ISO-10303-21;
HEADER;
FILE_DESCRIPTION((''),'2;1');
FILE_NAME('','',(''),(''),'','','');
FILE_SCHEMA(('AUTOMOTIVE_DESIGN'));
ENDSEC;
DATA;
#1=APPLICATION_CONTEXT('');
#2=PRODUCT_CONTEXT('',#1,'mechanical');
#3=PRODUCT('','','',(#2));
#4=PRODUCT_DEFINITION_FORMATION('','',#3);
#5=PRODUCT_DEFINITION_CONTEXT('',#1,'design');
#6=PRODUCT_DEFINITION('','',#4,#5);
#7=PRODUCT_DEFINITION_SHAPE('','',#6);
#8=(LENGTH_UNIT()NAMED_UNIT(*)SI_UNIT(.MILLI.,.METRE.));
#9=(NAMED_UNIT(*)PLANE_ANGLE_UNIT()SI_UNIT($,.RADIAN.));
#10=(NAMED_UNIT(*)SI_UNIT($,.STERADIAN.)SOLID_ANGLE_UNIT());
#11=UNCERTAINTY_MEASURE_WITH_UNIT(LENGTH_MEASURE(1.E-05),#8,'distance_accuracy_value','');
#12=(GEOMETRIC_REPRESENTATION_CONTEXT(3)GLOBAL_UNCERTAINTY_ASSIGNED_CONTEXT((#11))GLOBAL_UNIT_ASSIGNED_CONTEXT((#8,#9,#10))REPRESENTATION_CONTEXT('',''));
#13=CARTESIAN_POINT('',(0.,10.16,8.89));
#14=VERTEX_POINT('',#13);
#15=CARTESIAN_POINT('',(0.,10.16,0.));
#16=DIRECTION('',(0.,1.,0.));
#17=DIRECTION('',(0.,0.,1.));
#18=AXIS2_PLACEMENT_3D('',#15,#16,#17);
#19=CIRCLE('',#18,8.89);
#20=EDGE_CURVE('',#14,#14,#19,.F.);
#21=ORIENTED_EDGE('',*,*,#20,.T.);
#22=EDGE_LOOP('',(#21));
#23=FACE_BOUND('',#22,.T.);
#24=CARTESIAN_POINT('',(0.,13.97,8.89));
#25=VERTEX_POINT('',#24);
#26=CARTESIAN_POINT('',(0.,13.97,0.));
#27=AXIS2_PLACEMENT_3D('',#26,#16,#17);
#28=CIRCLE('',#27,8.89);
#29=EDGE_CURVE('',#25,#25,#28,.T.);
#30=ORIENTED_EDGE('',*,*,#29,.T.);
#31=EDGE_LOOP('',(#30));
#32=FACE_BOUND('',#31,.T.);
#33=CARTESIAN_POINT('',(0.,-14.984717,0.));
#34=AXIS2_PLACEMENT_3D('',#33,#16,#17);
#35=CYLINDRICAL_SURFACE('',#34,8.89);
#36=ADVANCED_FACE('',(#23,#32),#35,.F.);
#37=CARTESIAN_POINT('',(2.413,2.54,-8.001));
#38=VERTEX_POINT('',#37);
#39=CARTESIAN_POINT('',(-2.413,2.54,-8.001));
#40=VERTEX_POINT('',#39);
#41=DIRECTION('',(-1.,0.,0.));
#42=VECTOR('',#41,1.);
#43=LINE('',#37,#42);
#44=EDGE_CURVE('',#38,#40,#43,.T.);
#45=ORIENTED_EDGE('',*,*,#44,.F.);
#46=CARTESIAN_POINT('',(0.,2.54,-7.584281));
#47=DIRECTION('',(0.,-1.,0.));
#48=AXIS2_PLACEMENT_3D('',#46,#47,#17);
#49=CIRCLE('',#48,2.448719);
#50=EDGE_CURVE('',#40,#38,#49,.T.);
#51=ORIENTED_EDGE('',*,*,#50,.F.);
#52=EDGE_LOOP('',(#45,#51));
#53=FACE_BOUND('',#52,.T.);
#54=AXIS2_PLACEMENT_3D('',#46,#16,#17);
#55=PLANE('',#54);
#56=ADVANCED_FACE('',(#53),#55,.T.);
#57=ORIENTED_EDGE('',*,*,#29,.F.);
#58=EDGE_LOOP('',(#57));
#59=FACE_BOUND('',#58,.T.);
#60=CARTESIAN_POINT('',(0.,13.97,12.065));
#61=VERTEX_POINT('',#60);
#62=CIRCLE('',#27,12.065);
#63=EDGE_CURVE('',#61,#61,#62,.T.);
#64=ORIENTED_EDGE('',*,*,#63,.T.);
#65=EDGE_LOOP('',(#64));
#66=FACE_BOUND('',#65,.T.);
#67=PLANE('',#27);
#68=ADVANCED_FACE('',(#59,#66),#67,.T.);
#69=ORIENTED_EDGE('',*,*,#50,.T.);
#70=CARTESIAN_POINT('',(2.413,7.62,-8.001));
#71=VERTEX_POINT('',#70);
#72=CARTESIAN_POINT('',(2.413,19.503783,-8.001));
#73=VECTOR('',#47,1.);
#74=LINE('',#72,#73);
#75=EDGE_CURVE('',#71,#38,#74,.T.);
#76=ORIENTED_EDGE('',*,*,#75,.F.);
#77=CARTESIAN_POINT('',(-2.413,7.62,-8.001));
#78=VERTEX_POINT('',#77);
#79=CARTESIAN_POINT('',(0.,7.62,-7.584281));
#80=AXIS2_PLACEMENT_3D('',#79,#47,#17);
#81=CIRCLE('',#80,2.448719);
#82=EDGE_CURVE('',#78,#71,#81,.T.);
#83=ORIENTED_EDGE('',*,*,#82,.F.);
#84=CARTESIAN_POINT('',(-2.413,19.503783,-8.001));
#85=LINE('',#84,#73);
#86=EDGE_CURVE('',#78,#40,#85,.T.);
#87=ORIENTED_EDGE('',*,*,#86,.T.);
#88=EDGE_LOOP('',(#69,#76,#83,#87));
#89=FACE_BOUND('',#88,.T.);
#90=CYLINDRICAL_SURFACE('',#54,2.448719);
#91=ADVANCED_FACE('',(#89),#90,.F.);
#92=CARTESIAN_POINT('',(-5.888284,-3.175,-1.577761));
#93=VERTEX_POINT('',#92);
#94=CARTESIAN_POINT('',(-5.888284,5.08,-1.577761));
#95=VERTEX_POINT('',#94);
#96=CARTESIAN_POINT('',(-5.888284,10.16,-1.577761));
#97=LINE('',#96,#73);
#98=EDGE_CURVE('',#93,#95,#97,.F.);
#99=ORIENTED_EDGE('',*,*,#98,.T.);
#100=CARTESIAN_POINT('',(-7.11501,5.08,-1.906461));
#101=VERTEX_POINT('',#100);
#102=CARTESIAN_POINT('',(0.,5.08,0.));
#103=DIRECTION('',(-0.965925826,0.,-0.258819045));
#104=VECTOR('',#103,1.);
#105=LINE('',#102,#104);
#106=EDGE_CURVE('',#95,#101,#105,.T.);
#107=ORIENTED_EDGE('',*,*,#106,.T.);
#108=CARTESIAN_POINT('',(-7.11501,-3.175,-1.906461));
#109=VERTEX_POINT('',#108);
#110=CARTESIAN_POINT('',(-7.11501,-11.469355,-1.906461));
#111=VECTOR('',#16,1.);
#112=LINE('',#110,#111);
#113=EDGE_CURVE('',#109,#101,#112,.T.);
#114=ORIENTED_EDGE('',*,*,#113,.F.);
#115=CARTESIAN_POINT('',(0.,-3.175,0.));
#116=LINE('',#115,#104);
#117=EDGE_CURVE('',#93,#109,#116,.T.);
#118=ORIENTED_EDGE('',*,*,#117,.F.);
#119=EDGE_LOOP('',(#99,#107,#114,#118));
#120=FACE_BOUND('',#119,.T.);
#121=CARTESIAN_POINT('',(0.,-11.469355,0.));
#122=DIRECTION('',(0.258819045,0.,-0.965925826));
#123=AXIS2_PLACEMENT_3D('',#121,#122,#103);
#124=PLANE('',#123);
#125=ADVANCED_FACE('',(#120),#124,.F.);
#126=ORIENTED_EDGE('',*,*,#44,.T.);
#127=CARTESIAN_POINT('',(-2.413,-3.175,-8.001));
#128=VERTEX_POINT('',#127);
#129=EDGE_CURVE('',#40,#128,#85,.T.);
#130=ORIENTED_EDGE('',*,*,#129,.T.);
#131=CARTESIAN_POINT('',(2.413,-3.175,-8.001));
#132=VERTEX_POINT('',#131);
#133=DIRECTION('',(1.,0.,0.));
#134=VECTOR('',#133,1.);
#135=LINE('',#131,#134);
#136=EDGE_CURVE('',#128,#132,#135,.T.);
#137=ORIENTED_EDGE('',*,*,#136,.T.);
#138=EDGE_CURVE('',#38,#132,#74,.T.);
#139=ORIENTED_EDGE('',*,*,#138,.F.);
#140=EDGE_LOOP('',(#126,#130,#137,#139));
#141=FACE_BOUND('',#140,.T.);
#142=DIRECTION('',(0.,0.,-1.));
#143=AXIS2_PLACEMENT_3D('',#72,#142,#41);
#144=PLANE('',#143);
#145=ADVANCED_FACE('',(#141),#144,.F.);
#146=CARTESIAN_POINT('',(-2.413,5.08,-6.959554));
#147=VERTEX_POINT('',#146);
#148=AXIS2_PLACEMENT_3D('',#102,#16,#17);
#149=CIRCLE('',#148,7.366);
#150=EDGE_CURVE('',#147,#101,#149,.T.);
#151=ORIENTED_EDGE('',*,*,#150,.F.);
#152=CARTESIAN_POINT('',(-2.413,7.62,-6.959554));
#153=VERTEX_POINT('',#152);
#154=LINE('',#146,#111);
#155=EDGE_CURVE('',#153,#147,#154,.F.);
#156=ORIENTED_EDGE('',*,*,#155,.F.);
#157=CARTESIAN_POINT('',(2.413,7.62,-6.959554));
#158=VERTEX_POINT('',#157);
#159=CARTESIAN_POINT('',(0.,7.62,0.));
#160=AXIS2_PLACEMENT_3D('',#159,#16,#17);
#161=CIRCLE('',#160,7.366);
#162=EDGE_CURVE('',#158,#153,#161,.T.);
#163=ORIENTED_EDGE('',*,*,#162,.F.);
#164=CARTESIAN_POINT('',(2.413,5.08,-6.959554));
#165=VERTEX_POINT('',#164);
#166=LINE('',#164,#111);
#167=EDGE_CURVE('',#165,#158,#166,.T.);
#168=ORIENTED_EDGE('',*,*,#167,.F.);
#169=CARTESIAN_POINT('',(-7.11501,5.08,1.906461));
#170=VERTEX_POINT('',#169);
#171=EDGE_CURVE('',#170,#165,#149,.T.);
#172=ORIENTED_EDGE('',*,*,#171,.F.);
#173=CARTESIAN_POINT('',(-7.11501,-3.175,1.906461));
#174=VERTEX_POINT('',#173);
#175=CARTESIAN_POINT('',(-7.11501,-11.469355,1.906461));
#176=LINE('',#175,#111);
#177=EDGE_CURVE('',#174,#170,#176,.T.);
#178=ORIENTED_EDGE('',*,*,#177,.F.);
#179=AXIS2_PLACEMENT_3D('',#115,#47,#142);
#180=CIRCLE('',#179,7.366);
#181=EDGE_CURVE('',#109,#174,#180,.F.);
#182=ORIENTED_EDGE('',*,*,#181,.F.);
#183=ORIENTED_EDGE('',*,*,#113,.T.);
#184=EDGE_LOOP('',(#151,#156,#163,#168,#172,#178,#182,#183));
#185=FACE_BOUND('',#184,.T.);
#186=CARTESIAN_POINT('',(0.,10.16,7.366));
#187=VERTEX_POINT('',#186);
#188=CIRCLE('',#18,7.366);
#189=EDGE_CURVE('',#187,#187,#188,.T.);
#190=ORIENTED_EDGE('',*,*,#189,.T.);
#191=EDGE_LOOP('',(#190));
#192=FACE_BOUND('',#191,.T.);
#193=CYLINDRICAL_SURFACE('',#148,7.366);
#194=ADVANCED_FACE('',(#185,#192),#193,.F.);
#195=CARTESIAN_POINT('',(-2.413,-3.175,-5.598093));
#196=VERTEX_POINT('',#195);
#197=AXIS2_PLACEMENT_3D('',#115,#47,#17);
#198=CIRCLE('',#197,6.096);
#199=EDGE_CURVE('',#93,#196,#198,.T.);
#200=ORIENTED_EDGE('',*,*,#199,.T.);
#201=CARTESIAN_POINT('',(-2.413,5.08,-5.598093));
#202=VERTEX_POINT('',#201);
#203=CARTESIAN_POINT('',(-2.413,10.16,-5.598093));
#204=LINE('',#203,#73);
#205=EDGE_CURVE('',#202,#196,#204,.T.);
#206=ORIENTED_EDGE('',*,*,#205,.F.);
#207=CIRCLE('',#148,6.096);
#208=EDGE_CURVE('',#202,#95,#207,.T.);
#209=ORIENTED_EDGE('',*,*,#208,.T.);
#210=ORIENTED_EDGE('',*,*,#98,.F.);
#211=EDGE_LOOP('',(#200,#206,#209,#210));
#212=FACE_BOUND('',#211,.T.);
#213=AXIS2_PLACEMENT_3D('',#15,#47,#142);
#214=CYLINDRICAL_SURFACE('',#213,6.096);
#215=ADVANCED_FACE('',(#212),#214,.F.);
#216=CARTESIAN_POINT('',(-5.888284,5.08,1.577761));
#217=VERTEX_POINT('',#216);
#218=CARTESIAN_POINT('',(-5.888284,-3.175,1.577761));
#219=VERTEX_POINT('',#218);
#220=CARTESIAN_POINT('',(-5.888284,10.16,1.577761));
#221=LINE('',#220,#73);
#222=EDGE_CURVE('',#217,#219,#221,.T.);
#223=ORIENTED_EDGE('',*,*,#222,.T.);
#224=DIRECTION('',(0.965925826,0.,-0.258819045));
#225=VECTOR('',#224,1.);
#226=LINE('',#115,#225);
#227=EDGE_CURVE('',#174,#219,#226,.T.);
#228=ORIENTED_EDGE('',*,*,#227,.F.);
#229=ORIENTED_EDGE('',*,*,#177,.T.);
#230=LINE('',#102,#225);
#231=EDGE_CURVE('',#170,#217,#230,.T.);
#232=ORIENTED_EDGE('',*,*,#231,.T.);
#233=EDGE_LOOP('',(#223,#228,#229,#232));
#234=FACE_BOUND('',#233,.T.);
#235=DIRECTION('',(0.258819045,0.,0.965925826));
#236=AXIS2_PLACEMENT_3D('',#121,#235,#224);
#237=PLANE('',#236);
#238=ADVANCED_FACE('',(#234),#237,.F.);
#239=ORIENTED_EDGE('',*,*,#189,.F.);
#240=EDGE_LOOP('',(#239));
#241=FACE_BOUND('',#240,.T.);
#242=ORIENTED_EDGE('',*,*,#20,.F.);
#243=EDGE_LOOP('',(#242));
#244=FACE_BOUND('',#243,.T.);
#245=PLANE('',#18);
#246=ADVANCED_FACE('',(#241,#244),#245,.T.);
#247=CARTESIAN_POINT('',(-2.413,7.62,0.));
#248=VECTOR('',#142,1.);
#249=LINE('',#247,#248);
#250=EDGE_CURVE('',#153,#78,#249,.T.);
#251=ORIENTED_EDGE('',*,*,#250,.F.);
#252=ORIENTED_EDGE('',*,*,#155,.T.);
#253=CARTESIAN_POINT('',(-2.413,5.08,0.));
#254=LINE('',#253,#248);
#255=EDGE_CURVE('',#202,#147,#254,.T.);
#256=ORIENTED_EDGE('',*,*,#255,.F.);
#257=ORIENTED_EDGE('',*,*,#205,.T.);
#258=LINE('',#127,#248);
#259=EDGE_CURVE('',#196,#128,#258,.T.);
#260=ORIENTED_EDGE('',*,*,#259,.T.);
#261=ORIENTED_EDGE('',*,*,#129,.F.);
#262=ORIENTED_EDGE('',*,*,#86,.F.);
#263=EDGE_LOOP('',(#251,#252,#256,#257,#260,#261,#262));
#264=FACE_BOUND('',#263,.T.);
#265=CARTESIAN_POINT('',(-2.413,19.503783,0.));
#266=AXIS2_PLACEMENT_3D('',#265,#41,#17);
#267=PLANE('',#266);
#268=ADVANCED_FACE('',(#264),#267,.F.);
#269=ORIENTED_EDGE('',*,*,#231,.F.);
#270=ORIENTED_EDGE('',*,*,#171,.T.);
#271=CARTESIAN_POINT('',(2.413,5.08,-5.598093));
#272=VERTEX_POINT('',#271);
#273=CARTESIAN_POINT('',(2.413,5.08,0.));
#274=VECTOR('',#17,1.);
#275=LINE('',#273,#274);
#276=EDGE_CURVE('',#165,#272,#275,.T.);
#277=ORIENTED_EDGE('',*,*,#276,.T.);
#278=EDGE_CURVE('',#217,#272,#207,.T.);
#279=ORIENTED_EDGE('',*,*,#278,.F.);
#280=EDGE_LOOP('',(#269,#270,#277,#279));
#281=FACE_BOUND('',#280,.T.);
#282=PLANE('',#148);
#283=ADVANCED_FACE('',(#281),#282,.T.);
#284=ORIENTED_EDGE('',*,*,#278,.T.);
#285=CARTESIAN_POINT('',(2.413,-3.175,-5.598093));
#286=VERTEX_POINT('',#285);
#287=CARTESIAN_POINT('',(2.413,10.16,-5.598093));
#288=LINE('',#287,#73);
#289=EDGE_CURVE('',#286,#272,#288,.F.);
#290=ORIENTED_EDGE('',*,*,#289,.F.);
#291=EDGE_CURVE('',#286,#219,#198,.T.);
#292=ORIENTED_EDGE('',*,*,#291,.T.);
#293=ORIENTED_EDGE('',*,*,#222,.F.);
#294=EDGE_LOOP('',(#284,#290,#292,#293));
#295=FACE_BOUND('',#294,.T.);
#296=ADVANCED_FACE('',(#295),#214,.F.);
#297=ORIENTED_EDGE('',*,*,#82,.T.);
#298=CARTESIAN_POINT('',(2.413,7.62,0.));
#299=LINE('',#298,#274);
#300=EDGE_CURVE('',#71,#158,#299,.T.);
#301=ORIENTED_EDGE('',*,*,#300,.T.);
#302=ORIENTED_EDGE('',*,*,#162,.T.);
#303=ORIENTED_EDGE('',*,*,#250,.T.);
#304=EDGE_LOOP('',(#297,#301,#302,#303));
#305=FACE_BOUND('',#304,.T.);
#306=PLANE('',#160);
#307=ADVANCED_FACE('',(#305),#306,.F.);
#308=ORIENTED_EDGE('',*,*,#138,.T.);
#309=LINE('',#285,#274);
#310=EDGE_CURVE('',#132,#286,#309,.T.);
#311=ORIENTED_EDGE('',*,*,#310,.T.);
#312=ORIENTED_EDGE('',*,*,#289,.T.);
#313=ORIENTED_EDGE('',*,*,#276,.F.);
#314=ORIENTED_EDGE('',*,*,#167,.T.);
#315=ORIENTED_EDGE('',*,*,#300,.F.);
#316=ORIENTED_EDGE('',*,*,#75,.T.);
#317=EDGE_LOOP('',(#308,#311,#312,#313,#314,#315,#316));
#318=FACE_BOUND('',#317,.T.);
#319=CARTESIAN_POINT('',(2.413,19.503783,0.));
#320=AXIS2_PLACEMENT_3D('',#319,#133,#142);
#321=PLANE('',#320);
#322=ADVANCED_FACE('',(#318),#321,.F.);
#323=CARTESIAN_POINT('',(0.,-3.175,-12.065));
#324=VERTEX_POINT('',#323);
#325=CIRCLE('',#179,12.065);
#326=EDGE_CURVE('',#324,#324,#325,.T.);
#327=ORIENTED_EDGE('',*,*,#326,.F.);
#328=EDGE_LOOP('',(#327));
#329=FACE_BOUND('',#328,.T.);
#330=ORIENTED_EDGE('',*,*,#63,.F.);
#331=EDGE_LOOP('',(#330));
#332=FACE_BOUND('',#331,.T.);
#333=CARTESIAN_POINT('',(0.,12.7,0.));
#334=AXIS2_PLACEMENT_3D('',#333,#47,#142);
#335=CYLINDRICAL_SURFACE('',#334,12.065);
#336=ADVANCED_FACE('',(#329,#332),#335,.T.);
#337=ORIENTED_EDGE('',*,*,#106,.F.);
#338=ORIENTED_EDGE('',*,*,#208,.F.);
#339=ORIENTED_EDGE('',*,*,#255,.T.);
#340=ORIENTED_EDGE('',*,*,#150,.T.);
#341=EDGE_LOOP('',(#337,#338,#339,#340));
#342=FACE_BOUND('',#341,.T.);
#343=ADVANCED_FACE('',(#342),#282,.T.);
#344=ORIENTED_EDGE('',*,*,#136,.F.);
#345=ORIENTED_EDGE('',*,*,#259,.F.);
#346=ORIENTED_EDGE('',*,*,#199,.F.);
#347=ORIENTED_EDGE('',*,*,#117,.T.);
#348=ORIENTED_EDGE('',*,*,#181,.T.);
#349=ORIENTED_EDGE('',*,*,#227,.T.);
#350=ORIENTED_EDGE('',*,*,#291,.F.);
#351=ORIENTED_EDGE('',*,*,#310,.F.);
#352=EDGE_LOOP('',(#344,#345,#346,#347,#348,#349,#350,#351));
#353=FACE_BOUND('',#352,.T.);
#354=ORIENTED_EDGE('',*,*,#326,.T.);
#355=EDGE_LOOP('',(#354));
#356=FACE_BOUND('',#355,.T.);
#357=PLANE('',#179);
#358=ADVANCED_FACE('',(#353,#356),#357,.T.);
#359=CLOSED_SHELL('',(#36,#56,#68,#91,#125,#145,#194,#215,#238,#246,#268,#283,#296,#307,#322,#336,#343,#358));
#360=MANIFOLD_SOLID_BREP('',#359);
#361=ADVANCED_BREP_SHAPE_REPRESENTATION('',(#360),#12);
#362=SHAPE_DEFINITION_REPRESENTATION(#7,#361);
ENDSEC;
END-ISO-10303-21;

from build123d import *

# Parameters (mm, degrees)
SKETCH1_R            = 7.62
SKETCH1_R_2          = 6.096
BOSS_EXTRUDE1_DEPTH  = 10.16
SKETCH1_4_R          = 12.065
SKETCH1_4_R_2        = 7.62
BOSS_EXTRUDE2_DEPTH  = 12.7
SKETCH9_R            = 12.065
SKETCH9_R_2          = 7.62
BOSS_EXTRUDE22_DEPTH = 1.27
SKETCH10_R           = 8.89
SKETCH10_R_2         = 7.62
CUT_EXTRUDE5_DEPTH   = 3.81
SKETCH14_W           = 4.826
SKETCH14_H           = 8.001
CUT_EXTRUDE8_DEPTH   = 7.62
CUT_EXTRUDE9_DEPTH   = 5.08
SKETCH16_R           = 12.065
BOSS_EXTRUDE24_DEPTH = 3.175
SKETCH17_R           = 7.366
SKETCH17_R_2         = 6.096
CUT_EXTRUDE10_DEPTH  = 5.08
CUT_EXTRUDE11_DEPTH  = 8.255


with BuildPart() as part:
    # Sketch1 → Boss-Extrude1 (new body)
    with BuildSketch(Plane(origin=(0, 0, 0), x_dir=(1, 0, 0), z_dir=(0, 1, 0))):
        Circle(SKETCH1_R)
        Circle(SKETCH1_R_2, mode=Mode.SUBTRACT)
    extrude(amount=BOSS_EXTRUDE1_DEPTH)

    # Sketch1<4> → Boss-Extrude2 (add)
    with BuildSketch(Plane(origin=(0, 0, 0), x_dir=(1, 0, 0), z_dir=(0, 1, 0))):
        Circle(SKETCH1_4_R)
        Circle(SKETCH1_4_R_2, mode=Mode.SUBTRACT)
    extrude(amount=BOSS_EXTRUDE2_DEPTH)

    # Sketch9 → Boss-Extrude22 (add)
    with BuildSketch(Plane(origin=(0, 12.7, 0), x_dir=(1, 0, 0), z_dir=(0, 1, 0))):
        Circle(SKETCH9_R)
        Circle(SKETCH9_R_2, mode=Mode.SUBTRACT)
    extrude(amount=BOSS_EXTRUDE22_DEPTH)

    # Sketch10 → Cut-Extrude5 (cut)
    with BuildSketch(Plane(origin=(0, 13.97, 0), x_dir=(1, 0, 0), z_dir=(0, 1, 0))):
        Circle(SKETCH10_R)
        Circle(SKETCH10_R_2, mode=Mode.SUBTRACT)
    extrude(amount=-CUT_EXTRUDE5_DEPTH, mode=Mode.SUBTRACT)

    # Sketch14 → Cut-Extrude8 (cut)
    with BuildSketch(Plane.XZ):
        with Locations((0, -4.0005)):
            Rectangle(SKETCH14_W, SKETCH14_H)
    extrude(amount=-CUT_EXTRUDE8_DEPTH, mode=Mode.SUBTRACT)

    # Sketch15 → Cut-Extrude9 (cut)
    with BuildSketch(Plane.XZ.offset(-7.62)):
        with BuildLine():
            Line((2.413, -8.001), (-2.413, -8.001))
            ThreePointArc((-2.413, -8.001), (0, -10.033), (2.413, -8.001))
        make_face()
    extrude(amount=CUT_EXTRUDE9_DEPTH, mode=Mode.SUBTRACT)

    # Sketch16 → Boss-Extrude24 (add)
    with BuildSketch(Plane.XZ):
        Circle(SKETCH16_R)
        with BuildLine():
            Line((2.413, -5.598093), (2.413, -8.001))
            Line((2.413, -8.001), (-2.413, -8.001))
            Line((-2.413, -8.001), (-2.413, -5.598093))
            ThreePointArc((-2.413, -5.598093), (0, 6.096), (2.413, -5.598093))
        make_face(mode=Mode.SUBTRACT)
    extrude(amount=BOSS_EXTRUDE24_DEPTH)

    # Sketch17 → Cut-Extrude10 (cut)
    with BuildSketch(Plane(origin=(0, 10.16, 0), x_dir=(1, 0, 0), z_dir=(0, 1, 0))):
        Circle(SKETCH17_R)
        Circle(SKETCH17_R_2, mode=Mode.SUBTRACT)
    extrude(amount=-CUT_EXTRUDE10_DEPTH, mode=Mode.SUBTRACT)

    # Sketch18 → Cut-Extrude11 (cut)
    with BuildSketch(Plane(origin=(0, 5.08, 0), x_dir=(1, 0, 0), z_dir=(0, 1, 0))):
        with BuildLine():
            Line((0, 0), (-7.11501, -1.906461))
            ThreePointArc((-7.11501, -1.906461), (-7.366, 0), (-7.11501, 1.906461))
            Line((-7.11501, 1.906461), (0, 0))
        make_face()
    extrude(amount=-CUT_EXTRUDE11_DEPTH, mode=Mode.SUBTRACT)


solid = part.part
